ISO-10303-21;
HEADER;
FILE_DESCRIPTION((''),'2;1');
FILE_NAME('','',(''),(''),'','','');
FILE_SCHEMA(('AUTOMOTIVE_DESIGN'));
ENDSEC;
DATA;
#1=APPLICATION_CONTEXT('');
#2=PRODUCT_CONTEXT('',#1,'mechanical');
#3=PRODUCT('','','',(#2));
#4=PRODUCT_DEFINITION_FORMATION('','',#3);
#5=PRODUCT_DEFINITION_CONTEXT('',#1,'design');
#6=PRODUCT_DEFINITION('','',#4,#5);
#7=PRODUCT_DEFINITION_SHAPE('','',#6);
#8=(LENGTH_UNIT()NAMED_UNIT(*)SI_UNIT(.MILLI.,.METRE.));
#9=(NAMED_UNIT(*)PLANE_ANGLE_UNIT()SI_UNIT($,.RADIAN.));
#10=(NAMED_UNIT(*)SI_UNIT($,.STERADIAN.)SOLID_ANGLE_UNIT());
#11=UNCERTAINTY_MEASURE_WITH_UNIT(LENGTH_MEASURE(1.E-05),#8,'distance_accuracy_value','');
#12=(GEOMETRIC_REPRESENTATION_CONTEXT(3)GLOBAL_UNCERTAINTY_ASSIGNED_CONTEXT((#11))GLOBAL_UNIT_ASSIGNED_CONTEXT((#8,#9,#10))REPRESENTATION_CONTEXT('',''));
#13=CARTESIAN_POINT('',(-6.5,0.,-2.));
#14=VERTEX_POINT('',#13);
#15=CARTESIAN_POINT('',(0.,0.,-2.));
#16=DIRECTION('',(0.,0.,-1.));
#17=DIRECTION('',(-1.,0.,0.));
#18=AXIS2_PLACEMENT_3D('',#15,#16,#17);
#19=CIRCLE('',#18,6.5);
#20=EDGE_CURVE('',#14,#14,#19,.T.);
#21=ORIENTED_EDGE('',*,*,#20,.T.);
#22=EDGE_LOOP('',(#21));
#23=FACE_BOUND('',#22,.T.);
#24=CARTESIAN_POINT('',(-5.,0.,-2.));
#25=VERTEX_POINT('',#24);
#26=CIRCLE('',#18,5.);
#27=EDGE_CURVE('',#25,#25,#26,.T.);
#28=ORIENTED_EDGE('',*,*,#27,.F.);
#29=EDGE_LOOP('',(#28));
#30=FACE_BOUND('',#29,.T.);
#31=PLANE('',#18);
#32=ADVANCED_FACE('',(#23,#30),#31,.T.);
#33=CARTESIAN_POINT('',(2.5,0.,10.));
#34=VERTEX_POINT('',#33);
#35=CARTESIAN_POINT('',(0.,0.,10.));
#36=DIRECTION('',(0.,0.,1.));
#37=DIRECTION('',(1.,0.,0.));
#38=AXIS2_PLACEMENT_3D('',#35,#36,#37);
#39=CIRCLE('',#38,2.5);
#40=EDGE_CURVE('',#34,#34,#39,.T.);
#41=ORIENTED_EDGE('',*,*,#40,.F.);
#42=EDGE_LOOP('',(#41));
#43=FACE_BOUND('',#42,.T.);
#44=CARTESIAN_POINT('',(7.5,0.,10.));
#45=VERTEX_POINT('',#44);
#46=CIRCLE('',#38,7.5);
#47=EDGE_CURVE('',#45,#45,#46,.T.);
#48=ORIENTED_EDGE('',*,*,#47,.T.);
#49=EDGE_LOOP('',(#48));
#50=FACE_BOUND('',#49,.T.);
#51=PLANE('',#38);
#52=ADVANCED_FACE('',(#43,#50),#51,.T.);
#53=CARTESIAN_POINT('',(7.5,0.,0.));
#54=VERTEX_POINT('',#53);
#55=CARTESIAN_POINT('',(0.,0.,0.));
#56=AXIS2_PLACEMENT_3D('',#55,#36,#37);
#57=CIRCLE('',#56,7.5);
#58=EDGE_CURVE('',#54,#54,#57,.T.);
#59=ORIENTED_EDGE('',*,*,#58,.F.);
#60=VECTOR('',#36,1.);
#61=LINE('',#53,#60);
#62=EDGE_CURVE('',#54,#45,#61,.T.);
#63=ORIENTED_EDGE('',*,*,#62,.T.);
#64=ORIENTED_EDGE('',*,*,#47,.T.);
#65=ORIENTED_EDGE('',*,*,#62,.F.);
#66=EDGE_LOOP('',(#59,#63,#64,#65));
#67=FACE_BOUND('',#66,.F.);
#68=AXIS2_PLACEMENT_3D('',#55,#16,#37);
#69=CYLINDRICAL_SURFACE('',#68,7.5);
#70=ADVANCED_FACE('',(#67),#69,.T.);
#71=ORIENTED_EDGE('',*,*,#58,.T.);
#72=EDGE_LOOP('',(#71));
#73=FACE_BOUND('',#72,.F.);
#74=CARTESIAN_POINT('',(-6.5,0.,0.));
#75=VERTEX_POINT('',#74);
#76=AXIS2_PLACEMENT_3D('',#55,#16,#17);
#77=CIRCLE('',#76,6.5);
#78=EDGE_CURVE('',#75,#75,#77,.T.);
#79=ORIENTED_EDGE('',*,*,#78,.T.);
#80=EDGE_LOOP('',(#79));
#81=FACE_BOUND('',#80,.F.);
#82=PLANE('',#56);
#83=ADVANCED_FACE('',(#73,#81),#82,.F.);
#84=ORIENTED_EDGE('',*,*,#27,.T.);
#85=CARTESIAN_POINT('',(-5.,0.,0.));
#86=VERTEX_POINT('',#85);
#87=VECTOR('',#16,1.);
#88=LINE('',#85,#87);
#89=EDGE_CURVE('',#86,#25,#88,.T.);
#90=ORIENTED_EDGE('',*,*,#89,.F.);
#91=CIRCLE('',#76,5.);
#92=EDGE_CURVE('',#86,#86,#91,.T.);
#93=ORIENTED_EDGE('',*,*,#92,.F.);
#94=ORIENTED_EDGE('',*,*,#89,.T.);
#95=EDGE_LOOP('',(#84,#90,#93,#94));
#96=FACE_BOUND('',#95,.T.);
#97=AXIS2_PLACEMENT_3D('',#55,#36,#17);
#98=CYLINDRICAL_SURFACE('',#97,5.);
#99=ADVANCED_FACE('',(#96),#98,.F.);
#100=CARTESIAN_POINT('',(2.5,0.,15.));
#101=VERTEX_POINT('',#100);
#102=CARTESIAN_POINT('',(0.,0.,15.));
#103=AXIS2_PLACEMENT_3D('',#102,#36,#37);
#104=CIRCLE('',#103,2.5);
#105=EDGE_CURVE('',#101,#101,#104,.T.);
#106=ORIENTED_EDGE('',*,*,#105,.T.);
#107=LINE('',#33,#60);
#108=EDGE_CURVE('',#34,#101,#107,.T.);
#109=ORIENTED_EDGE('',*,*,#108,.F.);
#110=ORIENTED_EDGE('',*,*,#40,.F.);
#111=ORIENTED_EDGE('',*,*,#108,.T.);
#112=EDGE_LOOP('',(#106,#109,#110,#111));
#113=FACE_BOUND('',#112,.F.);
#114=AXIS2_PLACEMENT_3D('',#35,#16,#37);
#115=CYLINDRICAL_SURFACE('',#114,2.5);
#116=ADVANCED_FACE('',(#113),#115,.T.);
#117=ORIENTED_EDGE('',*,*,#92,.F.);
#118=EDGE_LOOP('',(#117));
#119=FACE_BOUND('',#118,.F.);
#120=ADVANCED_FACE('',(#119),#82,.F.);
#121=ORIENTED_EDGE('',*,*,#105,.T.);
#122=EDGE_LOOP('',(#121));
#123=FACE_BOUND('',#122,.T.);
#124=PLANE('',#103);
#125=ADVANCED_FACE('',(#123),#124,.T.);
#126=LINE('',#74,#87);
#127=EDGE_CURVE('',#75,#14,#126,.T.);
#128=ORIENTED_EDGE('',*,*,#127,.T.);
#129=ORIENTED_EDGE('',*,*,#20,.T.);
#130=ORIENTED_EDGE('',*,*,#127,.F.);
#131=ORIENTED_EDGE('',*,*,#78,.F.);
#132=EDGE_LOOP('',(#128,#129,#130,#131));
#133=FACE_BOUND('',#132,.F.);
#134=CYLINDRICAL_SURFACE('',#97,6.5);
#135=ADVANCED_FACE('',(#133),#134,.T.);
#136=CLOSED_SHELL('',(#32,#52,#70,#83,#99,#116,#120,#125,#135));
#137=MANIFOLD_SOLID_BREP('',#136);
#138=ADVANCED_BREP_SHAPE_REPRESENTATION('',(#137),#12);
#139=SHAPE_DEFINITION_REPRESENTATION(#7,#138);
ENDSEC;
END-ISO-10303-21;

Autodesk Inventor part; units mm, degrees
ref_plane "YZ Plane" through (0, 0, 0) normal (1, 0, 0) x (0, 1, 0)
ref_plane "XZ Plane" through (0, 0, 0) normal (0, 1, 0) x (-1, 0, 0)
ref_plane "XY Plane" through (0, 0, 0) normal (0, 0, 1) x (1, 0, 0)
sketch "Sketch1" plane through (0, 0, 0) normal (0, 0, 1) x (1, 0, 0)
  circle A0 centre (0, 0) radius 7.5
  dimension "d0" = 15
extrude "Extrusion1" add sketch "Sketch1" along normal blind 10
sketch "Sketch2" plane through (0, 0, 0) normal (0, 0, -1) x (-1, 0, 0)
  circle A0 centre (0, 0) radius 6.5
  circle A1 centre (0, 0) radius 5
  circle A2 centre (0, 0) radius 7.5 projected
  dimension "d3" = 13
  dimension "d4" = 15
  dimension "d5" = 10
extrude "Extrusion2" add sketch "Sketch2" along normal blind 2 contours A0
sketch "Sketch3" plane through (0, 0, 10) normal (0, 0, 1) x (1, 0, 0)
  circle A0 centre (0, 0) radius 7.5 projected
  circle A1 centre (0, 0) radius 2.5
  dimension "d8" = 15
  dimension "d13" = 5
extrude "Extrusion3" add sketch "Sketch3" along normal blind 5 contours A1
properties part number "stredne_koleso"
